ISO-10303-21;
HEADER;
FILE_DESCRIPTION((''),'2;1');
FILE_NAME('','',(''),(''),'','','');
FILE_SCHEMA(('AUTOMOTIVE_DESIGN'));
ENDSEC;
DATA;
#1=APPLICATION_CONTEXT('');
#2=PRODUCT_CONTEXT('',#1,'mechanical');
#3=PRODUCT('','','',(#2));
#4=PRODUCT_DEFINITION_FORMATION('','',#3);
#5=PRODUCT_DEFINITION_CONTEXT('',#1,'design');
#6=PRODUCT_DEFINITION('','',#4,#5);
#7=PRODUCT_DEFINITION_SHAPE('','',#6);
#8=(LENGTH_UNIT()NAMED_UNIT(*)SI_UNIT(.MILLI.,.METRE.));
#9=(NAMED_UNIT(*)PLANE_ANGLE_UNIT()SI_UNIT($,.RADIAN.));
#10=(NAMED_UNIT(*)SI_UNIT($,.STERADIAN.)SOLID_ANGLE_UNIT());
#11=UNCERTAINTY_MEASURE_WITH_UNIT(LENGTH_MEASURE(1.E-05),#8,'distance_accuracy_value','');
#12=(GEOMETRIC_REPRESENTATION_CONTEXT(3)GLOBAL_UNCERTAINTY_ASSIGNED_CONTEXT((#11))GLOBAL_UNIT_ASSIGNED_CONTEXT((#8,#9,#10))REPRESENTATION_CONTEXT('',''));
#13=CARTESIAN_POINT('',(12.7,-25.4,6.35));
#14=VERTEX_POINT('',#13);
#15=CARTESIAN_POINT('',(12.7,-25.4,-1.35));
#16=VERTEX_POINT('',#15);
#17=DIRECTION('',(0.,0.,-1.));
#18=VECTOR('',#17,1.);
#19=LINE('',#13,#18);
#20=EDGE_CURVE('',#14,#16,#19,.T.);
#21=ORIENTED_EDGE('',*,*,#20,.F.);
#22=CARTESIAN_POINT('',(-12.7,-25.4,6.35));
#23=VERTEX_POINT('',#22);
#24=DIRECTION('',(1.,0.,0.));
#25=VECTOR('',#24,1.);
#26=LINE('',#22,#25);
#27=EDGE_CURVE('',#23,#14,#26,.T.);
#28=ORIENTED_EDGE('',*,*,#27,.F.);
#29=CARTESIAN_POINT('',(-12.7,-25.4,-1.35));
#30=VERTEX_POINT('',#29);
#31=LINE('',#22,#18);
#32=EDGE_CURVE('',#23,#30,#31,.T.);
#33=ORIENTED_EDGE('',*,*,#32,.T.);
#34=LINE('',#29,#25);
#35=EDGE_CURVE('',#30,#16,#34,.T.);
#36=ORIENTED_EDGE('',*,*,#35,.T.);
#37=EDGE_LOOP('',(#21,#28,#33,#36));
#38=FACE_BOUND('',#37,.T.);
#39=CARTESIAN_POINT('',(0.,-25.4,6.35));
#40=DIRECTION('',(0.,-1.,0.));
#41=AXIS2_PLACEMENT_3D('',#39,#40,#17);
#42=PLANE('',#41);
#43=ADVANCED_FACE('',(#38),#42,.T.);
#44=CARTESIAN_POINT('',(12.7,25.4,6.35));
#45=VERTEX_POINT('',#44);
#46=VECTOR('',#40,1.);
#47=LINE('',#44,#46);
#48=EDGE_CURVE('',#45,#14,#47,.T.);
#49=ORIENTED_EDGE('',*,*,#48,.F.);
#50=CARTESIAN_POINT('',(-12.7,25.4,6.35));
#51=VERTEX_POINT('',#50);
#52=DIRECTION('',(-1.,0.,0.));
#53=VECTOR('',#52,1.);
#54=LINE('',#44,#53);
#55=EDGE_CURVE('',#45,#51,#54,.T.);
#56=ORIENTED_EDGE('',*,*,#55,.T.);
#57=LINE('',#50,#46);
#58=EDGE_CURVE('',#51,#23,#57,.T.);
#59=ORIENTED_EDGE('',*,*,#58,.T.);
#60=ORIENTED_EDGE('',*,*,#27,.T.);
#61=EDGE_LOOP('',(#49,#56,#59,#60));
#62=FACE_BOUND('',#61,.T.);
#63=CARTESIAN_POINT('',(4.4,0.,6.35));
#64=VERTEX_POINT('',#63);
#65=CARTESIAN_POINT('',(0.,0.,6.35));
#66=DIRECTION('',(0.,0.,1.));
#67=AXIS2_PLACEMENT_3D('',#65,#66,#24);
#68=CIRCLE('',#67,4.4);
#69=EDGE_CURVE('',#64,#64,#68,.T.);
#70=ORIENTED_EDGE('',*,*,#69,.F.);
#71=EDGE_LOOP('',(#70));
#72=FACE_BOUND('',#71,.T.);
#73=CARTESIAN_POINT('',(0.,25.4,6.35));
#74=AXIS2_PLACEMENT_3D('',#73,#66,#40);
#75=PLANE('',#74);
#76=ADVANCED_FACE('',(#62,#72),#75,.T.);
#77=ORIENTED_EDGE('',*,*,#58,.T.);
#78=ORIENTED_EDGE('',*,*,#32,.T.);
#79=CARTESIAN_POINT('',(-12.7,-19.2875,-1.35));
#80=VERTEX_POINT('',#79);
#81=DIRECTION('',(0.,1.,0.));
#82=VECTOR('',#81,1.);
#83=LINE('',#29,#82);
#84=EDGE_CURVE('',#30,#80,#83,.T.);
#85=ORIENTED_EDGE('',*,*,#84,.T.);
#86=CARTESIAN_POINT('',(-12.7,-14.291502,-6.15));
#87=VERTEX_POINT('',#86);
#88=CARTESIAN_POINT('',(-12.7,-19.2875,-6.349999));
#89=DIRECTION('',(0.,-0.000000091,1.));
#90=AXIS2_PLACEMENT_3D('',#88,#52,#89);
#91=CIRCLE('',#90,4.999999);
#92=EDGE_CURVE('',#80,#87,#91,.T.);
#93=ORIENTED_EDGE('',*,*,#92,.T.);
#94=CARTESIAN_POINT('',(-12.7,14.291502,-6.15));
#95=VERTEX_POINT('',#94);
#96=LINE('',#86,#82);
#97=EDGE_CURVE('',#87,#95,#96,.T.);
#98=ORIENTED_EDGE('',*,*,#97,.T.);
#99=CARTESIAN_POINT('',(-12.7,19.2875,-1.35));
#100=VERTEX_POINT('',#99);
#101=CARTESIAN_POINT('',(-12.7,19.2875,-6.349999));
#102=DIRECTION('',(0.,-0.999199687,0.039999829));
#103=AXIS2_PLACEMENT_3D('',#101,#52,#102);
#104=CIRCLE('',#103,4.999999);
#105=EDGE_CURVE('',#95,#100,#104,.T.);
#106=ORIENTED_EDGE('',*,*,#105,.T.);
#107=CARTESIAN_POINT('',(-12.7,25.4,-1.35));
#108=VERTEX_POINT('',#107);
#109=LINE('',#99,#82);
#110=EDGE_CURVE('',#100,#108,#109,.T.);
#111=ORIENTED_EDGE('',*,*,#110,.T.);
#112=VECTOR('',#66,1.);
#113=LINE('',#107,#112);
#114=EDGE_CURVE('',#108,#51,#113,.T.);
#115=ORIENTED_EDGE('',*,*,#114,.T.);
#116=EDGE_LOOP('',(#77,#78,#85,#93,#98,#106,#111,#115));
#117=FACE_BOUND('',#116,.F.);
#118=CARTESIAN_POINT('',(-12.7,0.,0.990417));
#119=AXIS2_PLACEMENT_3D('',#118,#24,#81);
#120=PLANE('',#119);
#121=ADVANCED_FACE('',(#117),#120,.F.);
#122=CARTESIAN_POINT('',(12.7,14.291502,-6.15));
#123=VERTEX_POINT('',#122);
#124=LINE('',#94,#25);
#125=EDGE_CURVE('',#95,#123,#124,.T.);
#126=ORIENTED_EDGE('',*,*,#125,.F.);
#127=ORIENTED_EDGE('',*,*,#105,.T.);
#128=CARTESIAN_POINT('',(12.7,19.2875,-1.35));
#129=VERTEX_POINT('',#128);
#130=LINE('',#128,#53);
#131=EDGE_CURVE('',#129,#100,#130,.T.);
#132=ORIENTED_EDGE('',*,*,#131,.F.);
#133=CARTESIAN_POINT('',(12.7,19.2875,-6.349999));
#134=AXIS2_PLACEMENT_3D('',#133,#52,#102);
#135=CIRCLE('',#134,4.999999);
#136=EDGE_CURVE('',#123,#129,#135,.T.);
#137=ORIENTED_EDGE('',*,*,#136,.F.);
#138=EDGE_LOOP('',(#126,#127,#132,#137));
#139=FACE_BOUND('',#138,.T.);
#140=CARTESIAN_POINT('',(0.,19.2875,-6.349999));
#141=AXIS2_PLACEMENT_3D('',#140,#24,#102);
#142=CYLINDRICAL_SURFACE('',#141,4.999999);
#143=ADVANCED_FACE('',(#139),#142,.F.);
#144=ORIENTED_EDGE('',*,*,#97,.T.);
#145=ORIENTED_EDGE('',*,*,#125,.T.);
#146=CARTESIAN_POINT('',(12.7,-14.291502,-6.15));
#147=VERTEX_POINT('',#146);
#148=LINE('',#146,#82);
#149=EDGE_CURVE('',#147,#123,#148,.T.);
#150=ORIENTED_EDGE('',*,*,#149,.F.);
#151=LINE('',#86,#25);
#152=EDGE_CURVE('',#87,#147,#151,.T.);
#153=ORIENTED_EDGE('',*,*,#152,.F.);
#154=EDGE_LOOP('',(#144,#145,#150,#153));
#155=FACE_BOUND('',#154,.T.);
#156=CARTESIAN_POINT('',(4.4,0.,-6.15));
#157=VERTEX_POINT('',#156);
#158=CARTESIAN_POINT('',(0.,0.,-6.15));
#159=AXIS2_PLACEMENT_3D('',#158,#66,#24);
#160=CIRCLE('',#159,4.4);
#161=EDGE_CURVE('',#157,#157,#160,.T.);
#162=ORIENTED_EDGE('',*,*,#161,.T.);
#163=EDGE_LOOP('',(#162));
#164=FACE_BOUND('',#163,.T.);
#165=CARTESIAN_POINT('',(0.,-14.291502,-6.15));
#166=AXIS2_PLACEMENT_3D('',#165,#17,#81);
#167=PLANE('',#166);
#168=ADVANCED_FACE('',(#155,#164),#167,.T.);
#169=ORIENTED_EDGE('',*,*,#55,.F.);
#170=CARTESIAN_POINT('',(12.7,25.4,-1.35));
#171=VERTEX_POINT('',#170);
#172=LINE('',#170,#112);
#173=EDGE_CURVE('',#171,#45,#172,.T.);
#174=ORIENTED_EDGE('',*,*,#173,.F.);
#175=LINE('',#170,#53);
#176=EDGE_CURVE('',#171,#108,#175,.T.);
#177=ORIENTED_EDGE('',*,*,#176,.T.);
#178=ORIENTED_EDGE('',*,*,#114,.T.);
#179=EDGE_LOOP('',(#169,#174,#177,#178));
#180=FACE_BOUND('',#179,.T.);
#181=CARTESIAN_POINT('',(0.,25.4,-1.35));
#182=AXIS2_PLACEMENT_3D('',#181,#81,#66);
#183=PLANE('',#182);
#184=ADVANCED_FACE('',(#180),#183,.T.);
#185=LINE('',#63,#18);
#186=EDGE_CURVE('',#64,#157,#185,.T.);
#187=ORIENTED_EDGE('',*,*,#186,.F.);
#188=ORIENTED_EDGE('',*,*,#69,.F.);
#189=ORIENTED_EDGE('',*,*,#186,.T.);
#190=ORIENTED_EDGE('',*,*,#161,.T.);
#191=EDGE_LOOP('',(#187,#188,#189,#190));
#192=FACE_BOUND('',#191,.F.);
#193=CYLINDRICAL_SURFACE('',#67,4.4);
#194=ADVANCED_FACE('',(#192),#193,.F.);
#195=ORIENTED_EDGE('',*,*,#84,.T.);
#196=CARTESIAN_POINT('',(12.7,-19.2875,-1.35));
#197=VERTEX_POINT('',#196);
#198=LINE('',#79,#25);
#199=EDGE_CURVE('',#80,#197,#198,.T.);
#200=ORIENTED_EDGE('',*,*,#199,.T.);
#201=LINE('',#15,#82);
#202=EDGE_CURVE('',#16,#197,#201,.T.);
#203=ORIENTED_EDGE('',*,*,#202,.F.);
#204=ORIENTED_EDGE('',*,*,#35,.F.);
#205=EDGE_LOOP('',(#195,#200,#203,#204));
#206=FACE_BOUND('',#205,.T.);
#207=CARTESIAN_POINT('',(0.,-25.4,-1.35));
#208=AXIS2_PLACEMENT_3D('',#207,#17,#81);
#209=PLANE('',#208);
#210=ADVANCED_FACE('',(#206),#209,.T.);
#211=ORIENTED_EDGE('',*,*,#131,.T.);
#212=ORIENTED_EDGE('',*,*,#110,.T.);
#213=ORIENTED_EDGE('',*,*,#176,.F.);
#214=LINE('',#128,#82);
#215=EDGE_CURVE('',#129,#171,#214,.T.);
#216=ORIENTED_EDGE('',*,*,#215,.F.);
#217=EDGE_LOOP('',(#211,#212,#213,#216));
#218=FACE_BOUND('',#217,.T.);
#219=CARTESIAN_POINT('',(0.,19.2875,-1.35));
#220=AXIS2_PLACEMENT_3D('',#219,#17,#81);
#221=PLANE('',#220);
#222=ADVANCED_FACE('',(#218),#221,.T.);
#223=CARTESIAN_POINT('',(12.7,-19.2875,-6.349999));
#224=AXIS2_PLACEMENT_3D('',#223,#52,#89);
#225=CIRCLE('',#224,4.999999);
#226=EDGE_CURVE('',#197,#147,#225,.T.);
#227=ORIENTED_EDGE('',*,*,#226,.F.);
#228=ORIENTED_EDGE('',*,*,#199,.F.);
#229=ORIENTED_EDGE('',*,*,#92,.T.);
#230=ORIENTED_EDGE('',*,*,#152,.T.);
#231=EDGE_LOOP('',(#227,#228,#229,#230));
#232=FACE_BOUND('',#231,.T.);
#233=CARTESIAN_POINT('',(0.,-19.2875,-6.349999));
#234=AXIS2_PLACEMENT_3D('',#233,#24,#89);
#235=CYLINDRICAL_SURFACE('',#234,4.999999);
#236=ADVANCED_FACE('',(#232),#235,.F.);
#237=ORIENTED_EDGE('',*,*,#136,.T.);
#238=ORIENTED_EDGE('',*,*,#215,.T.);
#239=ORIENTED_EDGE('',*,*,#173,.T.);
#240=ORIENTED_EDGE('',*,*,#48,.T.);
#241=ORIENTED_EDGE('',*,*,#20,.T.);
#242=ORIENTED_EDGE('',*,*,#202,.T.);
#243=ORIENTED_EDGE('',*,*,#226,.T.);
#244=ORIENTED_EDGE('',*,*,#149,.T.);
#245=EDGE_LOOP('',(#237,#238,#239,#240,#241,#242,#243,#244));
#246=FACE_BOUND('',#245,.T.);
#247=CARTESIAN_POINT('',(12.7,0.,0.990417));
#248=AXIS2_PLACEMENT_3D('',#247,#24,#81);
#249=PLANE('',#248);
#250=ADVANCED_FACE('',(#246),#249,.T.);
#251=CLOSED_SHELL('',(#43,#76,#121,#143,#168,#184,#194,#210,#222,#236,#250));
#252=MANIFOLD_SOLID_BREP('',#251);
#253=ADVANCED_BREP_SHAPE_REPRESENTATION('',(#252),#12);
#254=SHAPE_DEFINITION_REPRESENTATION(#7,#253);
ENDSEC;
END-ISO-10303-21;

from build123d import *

# Parameters (mm, degrees)
F1_DEPTH = 12.7
F2_R     = 4.4
F3_DEPTH = 25


with BuildPart() as f1:
    # F0 (on Right) → F1 (new body, symmetric)
    with BuildSketch(Plane.YZ):
        with BuildLine():
            Line((25.4, 6.35), (-25.4, 6.35))
            Line((-25.4, 6.35), (-25.4, -1.35))
            Line((-25.4, -1.35), (-19.2875, -1.35))
            ThreePointArc((-19.2875, -1.35), (-15.823398, -2.744449), (-14.291502, -6.15))
            Line((-14.291502, -6.15), (14.291502, -6.15))
            ThreePointArc((14.291502, -6.15), (15.823398, -2.744449), (19.2875, -1.35))
            Line((19.2875, -1.35), (25.4, -1.35))
            Line((25.4, -1.35), (25.4, 6.35))
        make_face()
    extrude(amount=F1_DEPTH, both=True)

    # F2 (on face) → F3 (cut)
    with BuildSketch(Plane.XY.offset(6.35)):
        Circle(F2_R)
    extrude(amount=-F3_DEPTH, mode=Mode.SUBTRACT)


solid = f1.part
